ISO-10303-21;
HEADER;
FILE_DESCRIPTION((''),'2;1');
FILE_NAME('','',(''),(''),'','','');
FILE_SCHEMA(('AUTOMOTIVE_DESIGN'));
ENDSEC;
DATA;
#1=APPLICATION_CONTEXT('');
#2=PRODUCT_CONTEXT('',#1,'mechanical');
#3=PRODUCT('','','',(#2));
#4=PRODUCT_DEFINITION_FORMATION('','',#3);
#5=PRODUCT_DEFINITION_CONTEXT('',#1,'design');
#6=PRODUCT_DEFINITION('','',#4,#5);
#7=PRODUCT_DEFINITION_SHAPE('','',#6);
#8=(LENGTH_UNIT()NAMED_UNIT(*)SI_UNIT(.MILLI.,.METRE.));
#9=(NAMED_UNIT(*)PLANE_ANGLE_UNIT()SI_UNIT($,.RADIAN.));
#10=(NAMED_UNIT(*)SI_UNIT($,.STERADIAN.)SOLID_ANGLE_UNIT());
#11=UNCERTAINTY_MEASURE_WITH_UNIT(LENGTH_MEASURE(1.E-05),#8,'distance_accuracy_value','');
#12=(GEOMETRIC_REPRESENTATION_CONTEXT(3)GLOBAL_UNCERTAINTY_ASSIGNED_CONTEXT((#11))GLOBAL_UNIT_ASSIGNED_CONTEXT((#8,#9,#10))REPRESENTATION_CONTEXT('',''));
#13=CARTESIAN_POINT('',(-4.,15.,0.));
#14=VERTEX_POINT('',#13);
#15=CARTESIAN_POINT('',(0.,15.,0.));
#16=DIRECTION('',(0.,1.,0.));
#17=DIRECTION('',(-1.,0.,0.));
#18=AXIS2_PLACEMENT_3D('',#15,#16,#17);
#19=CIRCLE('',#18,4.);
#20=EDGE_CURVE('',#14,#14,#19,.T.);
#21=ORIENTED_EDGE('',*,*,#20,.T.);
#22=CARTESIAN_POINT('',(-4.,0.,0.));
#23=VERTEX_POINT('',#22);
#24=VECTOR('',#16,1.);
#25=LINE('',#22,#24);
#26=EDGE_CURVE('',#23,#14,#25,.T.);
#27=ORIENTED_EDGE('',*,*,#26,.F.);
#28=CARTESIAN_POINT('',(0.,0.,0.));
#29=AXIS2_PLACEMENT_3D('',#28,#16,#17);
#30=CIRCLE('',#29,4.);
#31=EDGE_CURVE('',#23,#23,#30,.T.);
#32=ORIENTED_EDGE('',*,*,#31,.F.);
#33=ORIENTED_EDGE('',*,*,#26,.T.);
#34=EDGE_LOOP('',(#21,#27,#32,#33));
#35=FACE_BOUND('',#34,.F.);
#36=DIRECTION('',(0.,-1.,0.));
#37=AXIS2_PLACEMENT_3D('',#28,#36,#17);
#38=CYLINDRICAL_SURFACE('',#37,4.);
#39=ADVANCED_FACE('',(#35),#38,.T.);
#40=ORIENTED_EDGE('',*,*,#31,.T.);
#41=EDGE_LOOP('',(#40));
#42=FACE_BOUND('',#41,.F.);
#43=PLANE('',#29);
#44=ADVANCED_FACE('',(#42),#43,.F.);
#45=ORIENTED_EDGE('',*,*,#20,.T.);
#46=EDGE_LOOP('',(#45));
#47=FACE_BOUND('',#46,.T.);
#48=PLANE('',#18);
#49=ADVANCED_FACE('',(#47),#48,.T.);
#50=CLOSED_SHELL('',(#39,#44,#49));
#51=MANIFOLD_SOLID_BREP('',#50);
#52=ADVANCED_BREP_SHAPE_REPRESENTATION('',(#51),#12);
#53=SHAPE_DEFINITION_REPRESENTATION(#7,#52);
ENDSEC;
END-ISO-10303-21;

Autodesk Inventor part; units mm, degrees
ref_plane "YZ Plane" through (0, 0, 0) normal (1, 0, 0) x (0, 1, 0)
ref_plane "XZ Plane" through (0, 0, 0) normal (0, 1, 0) x (-1, 0, 0)
ref_plane "XY Plane" through (0, 0, 0) normal (0, 0, 1) x (1, 0, 0)
sketch "Sketch1" plane through (0, 0, 0) normal (0, 1, 0) x (-1, 0, 0)
  circle A0 centre (0, 0) radius 4
  dimension "d0" = 8
extrude "Extrusion1" add sketch "Sketch1" along normal blind 15
properties part number "ciggy2"
